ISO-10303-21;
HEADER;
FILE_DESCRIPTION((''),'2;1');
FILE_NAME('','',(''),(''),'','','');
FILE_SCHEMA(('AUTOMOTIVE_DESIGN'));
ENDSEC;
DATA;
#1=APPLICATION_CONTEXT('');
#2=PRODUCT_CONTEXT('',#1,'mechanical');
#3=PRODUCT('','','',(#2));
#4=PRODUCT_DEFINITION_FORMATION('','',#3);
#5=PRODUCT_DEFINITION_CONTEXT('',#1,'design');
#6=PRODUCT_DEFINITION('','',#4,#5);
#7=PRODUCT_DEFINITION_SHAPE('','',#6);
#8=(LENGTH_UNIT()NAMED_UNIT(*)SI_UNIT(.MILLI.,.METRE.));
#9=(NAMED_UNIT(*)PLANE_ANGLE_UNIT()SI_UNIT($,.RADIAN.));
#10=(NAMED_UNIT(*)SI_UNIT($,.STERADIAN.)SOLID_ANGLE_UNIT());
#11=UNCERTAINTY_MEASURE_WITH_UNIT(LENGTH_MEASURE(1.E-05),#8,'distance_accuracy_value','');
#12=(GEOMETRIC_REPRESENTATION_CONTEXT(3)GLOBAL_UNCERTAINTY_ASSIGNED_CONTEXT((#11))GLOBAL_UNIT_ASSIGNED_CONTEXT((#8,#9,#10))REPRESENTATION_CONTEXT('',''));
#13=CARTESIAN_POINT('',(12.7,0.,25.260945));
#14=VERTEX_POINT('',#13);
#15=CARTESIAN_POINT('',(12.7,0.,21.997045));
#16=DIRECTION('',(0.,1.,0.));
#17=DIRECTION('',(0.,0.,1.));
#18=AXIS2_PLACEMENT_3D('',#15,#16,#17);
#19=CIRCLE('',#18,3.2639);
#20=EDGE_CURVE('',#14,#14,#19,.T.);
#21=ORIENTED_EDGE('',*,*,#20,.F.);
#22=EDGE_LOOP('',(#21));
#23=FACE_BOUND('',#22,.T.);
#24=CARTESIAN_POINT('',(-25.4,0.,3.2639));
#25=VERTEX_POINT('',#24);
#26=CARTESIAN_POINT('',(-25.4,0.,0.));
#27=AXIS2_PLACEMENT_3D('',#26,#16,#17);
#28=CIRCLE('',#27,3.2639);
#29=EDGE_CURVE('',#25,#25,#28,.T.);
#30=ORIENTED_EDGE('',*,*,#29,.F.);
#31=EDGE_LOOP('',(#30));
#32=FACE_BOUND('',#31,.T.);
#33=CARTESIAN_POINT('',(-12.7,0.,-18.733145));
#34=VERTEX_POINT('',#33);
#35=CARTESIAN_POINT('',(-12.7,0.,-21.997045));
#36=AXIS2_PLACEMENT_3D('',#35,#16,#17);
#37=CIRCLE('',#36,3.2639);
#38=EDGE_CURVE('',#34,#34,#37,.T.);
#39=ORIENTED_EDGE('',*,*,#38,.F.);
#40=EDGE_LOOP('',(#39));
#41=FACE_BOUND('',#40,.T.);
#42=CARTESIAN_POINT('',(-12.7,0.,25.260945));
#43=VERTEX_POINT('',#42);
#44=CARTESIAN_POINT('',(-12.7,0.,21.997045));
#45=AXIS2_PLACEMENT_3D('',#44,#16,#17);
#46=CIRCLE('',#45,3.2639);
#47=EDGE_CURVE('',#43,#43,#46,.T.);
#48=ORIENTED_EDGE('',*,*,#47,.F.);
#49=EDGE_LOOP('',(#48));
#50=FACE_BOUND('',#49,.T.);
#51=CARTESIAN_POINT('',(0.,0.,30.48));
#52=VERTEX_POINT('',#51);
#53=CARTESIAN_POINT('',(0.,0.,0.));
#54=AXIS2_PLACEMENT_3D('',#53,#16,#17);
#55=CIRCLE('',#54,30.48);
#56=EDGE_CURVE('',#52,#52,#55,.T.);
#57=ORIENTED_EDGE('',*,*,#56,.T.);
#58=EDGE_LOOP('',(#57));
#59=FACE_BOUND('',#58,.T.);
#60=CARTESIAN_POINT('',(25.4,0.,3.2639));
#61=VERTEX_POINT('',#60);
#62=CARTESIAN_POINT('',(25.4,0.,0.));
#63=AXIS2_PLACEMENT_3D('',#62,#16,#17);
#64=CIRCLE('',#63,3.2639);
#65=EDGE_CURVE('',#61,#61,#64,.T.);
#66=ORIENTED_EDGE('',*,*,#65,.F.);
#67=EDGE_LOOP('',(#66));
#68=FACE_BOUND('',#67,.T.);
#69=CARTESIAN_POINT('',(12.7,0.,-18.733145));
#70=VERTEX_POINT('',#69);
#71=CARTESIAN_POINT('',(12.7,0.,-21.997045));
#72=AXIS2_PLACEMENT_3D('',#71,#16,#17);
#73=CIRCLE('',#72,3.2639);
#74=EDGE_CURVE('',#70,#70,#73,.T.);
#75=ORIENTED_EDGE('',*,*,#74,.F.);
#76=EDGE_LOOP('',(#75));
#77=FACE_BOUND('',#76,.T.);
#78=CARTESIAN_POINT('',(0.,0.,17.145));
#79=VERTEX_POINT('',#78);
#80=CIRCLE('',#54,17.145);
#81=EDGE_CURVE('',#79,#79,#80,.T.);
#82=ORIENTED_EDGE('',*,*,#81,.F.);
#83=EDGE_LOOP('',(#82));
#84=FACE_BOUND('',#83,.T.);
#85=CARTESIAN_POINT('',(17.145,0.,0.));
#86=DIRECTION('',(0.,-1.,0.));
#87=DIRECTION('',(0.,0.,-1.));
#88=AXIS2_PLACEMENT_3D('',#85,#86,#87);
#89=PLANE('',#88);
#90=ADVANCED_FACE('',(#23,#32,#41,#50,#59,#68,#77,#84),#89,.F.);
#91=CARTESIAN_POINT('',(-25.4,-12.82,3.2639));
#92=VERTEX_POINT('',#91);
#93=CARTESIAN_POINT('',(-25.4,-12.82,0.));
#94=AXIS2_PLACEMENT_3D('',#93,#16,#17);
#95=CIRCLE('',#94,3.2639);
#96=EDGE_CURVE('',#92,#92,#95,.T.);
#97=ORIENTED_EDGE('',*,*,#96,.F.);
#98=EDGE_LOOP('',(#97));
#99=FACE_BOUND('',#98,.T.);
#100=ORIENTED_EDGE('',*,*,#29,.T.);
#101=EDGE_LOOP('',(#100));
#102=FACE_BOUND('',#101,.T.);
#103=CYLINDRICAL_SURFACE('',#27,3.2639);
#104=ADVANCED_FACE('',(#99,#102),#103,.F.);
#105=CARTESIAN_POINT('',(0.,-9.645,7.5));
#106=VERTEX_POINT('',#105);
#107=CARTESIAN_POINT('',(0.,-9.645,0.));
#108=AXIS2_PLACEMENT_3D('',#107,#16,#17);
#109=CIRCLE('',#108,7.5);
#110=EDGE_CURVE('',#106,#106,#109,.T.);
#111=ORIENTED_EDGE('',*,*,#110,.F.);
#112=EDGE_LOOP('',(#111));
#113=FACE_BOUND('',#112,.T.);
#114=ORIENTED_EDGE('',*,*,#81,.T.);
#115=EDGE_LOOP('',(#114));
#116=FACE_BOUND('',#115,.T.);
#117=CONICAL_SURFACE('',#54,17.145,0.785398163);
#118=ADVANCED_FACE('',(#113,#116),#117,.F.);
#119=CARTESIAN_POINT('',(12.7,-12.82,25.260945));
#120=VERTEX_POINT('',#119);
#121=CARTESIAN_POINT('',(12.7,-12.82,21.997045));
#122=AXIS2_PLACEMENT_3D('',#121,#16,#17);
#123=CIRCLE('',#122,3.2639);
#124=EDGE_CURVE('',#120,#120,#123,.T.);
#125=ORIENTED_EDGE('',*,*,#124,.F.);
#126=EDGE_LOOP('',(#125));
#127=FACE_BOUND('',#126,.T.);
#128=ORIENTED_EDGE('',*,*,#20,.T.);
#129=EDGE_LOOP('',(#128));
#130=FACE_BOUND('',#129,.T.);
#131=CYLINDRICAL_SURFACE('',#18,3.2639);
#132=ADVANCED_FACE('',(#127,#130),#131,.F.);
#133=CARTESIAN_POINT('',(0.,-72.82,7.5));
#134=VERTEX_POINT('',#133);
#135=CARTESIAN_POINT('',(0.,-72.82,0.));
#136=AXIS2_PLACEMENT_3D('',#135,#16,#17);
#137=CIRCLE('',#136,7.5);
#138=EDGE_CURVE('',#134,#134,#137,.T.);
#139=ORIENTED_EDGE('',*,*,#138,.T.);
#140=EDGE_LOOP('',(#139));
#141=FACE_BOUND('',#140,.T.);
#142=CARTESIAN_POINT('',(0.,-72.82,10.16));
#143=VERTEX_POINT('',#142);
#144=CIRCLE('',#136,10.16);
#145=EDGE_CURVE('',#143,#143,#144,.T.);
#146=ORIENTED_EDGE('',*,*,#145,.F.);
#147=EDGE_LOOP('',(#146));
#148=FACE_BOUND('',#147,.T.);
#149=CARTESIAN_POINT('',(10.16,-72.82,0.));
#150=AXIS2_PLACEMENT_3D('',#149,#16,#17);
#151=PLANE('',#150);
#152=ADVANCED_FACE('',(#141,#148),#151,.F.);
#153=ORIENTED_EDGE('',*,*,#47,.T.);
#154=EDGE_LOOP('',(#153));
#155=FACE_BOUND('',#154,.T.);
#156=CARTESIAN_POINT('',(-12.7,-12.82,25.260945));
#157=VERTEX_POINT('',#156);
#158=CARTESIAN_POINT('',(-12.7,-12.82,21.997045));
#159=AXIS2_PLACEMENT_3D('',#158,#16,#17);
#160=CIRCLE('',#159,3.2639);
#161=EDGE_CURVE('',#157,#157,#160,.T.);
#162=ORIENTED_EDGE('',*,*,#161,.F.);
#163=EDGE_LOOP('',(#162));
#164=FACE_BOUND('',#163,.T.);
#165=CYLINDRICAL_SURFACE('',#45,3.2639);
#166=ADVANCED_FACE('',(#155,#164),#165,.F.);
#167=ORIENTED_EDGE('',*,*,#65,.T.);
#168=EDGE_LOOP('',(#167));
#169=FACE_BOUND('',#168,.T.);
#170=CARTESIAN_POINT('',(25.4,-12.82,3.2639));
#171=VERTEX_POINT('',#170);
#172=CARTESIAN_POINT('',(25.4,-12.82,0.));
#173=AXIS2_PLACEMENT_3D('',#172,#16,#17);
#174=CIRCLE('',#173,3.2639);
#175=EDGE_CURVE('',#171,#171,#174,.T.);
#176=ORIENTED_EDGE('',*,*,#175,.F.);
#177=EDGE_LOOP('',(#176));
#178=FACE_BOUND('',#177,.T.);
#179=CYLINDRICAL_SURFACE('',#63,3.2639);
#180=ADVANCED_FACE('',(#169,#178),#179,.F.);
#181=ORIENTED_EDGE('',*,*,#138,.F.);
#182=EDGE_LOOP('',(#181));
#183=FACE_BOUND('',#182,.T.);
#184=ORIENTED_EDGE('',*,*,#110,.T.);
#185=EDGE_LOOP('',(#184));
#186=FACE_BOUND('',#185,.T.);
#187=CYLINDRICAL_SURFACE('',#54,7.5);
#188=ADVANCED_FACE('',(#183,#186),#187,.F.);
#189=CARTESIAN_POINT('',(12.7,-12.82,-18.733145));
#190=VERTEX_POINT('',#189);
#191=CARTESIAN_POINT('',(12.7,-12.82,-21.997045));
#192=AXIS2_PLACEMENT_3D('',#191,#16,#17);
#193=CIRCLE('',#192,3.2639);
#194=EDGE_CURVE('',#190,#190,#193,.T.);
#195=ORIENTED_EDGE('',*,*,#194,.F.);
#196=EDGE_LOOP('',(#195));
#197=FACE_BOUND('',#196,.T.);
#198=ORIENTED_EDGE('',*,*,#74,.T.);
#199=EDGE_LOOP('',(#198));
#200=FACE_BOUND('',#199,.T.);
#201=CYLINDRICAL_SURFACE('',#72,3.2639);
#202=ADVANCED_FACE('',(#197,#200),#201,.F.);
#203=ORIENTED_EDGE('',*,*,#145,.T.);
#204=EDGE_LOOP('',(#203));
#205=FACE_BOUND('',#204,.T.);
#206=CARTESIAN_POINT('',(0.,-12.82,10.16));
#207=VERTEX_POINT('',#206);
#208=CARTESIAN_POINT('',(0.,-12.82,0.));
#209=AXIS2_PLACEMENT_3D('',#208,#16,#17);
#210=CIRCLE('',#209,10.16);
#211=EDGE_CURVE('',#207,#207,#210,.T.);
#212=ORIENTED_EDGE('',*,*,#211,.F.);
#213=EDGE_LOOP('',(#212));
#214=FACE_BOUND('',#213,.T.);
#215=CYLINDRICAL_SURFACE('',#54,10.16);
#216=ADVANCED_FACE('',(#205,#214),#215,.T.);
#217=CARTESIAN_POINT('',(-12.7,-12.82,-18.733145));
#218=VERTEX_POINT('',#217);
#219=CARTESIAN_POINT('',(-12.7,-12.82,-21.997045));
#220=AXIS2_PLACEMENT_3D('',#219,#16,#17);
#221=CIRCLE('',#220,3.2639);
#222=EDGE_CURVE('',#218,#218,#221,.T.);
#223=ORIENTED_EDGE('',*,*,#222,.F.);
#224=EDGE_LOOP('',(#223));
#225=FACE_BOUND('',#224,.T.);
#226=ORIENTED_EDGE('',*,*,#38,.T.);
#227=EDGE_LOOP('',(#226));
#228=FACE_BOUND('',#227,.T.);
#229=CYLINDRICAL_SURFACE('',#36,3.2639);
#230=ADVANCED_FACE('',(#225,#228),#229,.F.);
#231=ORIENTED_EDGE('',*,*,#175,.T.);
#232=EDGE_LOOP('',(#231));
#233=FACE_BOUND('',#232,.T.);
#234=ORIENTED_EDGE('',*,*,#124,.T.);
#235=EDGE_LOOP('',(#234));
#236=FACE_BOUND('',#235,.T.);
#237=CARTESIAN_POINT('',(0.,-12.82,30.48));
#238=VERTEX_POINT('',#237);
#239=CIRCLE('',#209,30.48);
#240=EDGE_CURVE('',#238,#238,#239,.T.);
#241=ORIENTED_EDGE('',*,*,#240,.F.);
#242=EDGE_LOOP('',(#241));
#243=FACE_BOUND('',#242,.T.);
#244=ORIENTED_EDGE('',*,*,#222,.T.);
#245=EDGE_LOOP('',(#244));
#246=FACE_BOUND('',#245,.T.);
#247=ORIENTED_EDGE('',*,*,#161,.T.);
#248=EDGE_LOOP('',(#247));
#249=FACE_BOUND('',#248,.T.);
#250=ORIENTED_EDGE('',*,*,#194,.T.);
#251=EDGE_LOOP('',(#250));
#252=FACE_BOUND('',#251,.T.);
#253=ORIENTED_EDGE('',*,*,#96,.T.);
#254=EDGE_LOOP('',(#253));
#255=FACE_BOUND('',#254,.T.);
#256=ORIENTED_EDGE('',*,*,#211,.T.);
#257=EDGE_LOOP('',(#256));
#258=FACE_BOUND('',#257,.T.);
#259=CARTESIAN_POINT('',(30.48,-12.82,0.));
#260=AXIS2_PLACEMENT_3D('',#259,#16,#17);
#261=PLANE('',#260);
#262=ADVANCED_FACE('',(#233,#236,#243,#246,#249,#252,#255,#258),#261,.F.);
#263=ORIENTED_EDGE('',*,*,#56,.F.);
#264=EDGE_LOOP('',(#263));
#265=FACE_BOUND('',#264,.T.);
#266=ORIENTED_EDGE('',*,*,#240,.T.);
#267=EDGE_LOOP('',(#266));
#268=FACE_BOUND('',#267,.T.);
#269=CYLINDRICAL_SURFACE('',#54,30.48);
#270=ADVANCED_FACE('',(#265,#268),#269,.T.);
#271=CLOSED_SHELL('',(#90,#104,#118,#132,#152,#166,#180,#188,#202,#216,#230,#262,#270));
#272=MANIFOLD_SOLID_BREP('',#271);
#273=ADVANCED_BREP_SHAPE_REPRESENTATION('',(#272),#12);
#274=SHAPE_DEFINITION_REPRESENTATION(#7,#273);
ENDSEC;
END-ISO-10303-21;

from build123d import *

# Parameters (mm, degrees)
F_1_4_CLEARANCE_HOLE1_D = 6.5278
CIRPATTERN1_COUNT       = 6


with BuildPart() as part:
    # Sketch1 → Revolve1 (revolve)
    with BuildSketch(Plane.XY, mode=Mode.PRIVATE) as revolve1_sk:
        Polygon((7.5, -72.82), (7.5, -9.645), (17.145, 0), (30.48, 0), (30.48, -12.82), (10.16, -12.82), (10.16, -72.82), align=None)
    revolve(revolve1_sk.sketch.rotate(Axis((0, 0, 0), (0, -1, 0)), 90), axis=Axis((0, 0, 0), (0, -1, 0)))

    # 1/4 Clearance Hole1 (through all)
    with Locations(Plane(origin=(0, 0, 0), x_dir=(1, 0, 0), z_dir=(0, 1, 0))):
        with Locations((25.4, 0)):
            f_1_4_clearance_hole1 = Hole(F_1_4_CLEARANCE_HOLE1_D / 2)

    # CirPattern1: 1/4 Clearance Hole1 ×6 about axis
    cirpattern1_axis = Axis((0, 0, 0), (0, 1, 0))
    for i in range(1, CIRPATTERN1_COUNT):
        add(f_1_4_clearance_hole1.rotate(cirpattern1_axis, i * 360 / CIRPATTERN1_COUNT), mode=Mode.SUBTRACT)


solid = part.part
